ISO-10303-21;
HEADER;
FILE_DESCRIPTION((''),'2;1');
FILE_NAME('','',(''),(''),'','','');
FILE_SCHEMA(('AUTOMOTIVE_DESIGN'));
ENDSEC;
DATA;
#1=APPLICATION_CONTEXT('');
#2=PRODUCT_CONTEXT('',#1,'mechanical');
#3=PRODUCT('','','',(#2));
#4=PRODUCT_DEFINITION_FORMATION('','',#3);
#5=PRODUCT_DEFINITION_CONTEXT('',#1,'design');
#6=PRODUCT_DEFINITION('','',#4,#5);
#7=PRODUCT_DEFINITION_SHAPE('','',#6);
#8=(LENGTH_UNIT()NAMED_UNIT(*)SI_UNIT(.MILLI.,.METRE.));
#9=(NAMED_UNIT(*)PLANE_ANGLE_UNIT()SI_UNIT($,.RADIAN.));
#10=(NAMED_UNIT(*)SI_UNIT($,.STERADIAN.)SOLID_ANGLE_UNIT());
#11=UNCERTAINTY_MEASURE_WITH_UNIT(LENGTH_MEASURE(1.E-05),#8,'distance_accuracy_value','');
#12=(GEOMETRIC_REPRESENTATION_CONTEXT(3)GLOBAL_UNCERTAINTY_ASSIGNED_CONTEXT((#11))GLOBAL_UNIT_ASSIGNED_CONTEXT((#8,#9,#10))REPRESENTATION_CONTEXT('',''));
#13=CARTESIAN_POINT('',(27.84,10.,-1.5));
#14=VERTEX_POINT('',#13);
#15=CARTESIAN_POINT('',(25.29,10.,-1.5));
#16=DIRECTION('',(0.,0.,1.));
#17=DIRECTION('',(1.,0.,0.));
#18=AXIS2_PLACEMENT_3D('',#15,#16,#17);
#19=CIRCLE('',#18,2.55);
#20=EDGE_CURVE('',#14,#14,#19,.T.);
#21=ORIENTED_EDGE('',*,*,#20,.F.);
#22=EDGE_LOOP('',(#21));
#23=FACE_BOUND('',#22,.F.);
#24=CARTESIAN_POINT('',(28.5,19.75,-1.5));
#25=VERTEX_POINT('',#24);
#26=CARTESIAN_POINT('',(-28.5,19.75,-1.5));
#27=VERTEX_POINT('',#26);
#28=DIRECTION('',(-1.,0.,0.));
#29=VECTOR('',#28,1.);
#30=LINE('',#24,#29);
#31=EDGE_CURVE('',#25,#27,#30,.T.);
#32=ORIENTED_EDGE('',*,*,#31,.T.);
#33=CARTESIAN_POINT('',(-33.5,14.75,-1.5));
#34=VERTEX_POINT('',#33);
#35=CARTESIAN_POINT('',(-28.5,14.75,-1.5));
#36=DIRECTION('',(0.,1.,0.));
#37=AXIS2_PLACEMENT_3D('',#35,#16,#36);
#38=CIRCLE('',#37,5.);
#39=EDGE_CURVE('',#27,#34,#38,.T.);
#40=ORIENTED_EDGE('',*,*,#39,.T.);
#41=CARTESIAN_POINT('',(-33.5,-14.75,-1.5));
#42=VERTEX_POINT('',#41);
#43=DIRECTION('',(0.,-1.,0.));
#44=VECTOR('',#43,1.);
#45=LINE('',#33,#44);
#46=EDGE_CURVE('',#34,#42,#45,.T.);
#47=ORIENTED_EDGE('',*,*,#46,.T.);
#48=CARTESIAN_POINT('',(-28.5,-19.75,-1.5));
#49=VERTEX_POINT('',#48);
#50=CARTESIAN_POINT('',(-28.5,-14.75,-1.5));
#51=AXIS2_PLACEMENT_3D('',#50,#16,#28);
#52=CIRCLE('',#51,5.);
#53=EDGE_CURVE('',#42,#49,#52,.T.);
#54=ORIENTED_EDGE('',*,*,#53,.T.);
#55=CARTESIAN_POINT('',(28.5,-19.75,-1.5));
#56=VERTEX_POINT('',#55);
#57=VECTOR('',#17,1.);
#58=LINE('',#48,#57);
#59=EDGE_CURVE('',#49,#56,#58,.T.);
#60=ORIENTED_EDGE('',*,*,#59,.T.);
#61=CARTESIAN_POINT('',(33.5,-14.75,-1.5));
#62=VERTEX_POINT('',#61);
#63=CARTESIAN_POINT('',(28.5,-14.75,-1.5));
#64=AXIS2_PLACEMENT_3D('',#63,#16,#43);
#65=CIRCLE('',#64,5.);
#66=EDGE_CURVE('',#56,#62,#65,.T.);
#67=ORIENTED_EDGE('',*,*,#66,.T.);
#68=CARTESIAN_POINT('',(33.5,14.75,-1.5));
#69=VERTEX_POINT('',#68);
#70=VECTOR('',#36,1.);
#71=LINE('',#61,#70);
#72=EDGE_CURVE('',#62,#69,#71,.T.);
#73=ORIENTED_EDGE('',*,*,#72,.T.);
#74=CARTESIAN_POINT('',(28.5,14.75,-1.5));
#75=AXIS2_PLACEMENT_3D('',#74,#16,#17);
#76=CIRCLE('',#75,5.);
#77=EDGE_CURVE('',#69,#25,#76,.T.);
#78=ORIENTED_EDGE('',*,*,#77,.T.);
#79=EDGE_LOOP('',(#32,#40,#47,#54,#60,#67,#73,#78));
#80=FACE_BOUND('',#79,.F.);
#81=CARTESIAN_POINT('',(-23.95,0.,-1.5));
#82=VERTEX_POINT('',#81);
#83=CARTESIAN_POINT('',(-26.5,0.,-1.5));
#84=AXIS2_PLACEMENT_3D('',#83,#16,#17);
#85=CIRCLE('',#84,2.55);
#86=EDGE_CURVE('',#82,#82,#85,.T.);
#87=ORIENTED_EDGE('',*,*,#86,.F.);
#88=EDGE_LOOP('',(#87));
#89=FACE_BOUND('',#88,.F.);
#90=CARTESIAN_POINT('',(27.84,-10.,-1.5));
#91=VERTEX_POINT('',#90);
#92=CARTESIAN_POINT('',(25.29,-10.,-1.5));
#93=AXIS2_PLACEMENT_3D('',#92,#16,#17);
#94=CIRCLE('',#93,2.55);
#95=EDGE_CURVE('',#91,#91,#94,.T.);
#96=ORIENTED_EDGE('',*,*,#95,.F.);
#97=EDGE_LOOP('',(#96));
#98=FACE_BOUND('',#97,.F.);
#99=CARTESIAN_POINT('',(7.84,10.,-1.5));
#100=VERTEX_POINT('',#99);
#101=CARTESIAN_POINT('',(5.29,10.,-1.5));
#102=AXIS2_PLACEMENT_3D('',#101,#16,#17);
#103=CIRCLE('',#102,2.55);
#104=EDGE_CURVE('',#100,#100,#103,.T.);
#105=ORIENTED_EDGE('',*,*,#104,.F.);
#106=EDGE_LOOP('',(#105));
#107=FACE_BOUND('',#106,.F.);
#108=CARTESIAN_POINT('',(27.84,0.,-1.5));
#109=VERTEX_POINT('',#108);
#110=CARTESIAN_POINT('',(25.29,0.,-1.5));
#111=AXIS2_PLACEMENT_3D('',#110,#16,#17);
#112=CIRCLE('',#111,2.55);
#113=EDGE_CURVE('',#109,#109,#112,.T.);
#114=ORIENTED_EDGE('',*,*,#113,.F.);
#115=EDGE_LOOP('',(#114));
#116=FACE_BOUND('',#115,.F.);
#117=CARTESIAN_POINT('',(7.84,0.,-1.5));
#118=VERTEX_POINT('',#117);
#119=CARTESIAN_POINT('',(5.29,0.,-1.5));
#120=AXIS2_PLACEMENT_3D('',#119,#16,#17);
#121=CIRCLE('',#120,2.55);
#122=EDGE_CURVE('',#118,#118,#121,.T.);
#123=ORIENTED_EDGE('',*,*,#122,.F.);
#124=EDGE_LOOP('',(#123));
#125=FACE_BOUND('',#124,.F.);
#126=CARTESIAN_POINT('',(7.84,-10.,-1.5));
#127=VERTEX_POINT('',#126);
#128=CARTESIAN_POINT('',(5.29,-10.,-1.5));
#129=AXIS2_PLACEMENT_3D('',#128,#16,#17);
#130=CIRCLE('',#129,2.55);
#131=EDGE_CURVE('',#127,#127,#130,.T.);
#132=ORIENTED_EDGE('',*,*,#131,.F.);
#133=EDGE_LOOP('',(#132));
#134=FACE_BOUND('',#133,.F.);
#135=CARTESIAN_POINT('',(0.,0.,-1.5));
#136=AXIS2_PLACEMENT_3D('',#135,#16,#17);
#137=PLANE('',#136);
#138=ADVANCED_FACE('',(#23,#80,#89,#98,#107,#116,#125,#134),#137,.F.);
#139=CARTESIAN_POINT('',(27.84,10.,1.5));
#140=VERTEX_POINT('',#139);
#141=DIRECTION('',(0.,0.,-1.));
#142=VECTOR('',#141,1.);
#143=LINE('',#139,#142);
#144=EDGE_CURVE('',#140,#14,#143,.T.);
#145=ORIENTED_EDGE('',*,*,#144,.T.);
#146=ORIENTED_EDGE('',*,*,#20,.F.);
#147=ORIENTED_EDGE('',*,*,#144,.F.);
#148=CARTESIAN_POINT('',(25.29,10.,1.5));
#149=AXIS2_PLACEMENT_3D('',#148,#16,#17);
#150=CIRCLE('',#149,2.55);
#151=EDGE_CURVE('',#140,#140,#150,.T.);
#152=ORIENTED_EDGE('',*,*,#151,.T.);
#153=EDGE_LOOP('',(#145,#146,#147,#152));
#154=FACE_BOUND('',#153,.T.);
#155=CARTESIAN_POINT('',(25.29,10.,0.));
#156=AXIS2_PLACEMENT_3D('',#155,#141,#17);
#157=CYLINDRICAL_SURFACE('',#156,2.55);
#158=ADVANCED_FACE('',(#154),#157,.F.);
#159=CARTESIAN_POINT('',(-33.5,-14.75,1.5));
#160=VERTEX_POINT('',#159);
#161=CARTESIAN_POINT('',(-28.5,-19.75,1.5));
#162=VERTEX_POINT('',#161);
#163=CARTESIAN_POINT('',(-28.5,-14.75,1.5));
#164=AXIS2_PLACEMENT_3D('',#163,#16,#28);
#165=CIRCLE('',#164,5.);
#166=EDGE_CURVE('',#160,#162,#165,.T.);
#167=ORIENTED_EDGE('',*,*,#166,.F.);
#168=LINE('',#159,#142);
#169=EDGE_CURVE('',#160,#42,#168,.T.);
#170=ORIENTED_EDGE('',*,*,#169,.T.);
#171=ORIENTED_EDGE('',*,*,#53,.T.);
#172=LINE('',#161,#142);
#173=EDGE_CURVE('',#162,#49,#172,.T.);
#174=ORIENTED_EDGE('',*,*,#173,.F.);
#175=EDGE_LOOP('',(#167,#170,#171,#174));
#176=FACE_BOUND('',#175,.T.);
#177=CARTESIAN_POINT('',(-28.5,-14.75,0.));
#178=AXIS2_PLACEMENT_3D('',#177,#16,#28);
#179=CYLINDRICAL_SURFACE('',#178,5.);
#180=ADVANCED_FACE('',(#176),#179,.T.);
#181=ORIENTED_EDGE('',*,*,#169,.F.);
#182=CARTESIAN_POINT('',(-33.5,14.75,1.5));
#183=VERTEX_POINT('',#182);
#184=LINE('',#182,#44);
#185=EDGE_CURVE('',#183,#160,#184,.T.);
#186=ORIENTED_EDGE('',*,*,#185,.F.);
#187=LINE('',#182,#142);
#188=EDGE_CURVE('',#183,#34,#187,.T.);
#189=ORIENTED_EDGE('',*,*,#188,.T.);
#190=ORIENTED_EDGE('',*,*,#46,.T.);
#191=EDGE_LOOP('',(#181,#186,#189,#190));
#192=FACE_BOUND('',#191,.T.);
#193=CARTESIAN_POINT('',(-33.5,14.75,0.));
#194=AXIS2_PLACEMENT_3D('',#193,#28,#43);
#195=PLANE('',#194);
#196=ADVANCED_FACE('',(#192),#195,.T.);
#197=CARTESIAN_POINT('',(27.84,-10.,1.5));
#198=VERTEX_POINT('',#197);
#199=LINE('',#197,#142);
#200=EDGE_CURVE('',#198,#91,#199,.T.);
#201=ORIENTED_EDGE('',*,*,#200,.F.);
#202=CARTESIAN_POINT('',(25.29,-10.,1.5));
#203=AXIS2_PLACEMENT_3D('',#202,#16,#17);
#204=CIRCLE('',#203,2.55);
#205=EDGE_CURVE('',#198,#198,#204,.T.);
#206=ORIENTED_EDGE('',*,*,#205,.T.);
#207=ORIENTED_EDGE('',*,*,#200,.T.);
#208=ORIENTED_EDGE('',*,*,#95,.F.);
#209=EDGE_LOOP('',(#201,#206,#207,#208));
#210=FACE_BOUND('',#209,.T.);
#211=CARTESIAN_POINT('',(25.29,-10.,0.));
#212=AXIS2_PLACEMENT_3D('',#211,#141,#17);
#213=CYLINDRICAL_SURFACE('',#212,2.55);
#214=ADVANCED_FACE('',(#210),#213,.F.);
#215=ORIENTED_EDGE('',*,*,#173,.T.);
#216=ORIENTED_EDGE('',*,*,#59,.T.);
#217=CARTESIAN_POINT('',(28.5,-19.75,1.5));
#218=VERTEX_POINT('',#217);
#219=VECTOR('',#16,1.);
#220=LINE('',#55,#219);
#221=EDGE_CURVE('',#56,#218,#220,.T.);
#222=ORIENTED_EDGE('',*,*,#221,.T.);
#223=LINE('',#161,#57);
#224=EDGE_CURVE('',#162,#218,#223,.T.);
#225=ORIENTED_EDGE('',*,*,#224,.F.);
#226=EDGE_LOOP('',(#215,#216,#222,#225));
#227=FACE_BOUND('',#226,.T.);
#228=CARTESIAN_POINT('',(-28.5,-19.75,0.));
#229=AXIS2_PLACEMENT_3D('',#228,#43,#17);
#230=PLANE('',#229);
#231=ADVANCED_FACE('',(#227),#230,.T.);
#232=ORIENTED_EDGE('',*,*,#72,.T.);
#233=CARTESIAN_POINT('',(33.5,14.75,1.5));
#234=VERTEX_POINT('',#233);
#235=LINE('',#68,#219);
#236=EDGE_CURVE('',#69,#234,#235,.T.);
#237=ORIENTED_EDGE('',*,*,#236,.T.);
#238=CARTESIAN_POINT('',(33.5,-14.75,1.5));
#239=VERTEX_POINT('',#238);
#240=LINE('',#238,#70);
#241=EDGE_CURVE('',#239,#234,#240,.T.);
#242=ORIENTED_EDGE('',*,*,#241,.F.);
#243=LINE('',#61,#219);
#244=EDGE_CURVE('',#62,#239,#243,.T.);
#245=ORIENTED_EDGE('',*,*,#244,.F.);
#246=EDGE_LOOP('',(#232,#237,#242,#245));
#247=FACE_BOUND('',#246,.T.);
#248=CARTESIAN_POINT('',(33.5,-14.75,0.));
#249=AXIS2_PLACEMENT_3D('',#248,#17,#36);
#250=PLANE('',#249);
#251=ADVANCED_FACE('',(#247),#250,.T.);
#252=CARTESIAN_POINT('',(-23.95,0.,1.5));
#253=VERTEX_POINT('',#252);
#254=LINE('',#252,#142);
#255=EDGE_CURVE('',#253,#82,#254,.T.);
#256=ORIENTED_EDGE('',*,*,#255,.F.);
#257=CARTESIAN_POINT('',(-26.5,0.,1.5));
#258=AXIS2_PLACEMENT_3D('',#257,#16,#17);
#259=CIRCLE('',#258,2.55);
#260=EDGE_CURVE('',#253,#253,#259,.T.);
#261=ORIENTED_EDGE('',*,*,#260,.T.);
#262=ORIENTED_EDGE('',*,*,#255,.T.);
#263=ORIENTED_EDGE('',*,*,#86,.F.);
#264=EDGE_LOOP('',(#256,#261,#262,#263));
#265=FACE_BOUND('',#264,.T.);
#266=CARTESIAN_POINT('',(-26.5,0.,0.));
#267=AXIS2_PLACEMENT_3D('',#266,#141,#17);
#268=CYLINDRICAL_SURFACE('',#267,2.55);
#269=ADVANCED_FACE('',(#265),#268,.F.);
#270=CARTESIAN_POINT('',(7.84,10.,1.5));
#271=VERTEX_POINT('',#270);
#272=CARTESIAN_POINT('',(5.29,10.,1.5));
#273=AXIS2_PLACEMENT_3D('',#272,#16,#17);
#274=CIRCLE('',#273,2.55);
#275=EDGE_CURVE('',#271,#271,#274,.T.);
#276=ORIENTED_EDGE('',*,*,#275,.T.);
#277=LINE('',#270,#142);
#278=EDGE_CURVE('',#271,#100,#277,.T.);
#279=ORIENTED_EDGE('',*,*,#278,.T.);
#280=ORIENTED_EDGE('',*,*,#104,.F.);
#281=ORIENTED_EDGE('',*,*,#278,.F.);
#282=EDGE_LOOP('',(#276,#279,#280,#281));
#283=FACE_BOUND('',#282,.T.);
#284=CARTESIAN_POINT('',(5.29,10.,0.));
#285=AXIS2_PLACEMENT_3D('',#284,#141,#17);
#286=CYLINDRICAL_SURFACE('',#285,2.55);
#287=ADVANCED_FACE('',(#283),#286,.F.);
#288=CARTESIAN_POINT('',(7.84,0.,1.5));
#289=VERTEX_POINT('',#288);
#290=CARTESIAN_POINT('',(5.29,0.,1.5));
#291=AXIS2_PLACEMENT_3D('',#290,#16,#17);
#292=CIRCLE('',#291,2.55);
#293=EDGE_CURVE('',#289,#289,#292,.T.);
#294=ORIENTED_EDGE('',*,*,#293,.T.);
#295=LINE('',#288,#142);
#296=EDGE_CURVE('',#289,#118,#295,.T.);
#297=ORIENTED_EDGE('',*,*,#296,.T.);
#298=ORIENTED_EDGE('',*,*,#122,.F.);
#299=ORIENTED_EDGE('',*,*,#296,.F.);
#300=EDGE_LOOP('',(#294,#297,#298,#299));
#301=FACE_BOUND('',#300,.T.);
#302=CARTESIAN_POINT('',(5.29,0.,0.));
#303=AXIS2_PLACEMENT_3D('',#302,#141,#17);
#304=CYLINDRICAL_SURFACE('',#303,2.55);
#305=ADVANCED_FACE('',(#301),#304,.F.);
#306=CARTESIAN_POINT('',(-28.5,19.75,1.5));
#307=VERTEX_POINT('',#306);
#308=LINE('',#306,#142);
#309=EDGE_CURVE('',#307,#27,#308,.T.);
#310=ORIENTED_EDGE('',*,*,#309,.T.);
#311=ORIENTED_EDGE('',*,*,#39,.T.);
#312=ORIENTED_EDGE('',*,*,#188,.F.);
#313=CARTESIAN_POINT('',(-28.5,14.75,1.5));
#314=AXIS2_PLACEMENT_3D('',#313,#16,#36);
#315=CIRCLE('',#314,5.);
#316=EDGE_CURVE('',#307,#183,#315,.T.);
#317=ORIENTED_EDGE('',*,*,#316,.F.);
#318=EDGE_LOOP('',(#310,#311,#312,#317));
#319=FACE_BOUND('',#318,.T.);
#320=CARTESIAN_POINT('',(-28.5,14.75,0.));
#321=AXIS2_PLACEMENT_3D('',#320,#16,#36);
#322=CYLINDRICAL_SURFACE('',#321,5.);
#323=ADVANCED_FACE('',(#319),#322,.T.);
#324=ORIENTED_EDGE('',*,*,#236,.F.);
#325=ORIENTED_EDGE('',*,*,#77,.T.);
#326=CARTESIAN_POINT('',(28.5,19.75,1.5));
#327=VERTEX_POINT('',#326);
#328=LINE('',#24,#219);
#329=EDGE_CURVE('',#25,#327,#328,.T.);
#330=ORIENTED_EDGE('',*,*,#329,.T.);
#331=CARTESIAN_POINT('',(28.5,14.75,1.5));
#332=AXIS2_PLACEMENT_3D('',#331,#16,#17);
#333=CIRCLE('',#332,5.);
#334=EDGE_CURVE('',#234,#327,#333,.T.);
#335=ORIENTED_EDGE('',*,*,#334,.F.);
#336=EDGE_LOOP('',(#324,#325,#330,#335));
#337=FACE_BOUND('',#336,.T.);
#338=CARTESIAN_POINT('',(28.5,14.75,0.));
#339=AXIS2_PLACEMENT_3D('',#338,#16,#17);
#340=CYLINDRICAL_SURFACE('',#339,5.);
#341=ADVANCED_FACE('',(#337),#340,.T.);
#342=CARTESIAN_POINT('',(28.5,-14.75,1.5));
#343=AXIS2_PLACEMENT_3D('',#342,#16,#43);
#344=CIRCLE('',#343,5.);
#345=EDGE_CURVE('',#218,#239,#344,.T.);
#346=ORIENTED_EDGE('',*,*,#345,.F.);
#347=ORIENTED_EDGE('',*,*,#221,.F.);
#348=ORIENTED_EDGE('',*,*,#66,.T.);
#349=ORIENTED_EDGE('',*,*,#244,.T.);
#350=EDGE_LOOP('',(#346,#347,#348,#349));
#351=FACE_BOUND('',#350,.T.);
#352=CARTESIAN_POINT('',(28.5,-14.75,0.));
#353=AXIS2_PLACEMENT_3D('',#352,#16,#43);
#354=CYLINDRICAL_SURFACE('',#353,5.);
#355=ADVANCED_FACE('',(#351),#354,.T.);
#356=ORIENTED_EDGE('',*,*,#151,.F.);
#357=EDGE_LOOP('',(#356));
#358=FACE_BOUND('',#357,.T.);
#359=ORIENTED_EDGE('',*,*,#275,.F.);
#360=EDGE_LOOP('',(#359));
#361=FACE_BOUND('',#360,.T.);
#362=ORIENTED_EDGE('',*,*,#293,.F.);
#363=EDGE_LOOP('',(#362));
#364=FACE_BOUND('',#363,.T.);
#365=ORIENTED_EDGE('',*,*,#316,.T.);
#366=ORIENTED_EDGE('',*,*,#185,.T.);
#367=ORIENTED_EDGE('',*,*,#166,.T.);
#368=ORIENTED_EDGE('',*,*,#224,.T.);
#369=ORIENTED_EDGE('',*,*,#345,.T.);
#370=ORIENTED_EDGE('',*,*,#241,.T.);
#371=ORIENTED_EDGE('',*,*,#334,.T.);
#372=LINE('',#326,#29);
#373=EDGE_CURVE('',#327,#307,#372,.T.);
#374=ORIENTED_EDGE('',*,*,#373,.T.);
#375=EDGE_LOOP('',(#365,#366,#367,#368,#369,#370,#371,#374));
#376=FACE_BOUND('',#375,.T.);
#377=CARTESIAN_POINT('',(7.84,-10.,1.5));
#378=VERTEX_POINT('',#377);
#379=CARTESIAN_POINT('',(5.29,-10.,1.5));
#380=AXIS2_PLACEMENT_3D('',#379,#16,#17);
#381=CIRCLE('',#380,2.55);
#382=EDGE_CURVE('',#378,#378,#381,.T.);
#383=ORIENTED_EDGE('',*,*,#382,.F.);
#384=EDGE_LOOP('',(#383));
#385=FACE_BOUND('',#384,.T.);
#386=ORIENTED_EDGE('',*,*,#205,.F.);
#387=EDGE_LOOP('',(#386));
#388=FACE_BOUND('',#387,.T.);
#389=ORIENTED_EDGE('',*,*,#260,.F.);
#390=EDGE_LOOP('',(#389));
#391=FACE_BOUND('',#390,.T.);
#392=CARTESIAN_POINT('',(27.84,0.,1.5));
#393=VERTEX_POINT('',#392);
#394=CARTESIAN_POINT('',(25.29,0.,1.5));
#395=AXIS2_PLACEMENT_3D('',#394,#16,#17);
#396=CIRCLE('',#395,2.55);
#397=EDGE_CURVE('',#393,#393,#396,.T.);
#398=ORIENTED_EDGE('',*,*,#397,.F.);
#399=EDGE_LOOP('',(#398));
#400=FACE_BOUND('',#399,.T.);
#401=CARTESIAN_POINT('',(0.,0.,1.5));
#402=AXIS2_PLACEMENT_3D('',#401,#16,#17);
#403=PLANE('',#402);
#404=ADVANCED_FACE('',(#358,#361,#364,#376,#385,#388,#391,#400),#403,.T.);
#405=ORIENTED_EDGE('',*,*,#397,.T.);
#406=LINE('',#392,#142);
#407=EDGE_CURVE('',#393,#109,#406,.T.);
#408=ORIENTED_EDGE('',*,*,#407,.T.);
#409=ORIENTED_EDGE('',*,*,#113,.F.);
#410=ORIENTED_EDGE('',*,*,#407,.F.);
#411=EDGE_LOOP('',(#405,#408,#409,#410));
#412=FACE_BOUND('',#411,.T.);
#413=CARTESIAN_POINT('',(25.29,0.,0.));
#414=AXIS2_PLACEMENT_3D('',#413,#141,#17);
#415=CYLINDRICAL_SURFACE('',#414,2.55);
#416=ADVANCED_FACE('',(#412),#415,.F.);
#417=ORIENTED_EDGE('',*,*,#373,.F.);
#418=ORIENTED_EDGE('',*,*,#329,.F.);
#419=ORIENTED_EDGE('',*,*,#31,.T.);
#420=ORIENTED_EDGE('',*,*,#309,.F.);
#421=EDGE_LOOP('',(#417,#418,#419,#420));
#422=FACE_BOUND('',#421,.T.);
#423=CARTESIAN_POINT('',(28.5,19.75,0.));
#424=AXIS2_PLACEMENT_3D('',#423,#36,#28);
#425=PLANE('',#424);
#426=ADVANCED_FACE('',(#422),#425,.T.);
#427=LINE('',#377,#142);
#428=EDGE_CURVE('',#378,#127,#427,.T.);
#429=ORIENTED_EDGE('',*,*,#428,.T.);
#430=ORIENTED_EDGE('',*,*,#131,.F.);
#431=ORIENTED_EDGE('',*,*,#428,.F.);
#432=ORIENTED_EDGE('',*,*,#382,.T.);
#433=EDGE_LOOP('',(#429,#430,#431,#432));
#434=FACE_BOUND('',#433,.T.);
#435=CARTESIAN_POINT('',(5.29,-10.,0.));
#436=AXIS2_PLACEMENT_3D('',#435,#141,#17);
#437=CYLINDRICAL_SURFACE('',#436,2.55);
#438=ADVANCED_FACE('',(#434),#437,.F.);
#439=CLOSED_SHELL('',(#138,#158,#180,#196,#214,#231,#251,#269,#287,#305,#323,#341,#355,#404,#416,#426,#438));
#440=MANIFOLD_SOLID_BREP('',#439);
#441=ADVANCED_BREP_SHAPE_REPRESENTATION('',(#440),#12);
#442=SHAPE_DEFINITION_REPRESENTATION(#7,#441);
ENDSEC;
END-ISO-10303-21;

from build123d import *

# Parameters (mm, degrees)
SKETCH1_R           = 2.55
BOSS_EXTRUDE1_DEPTH = 1.5


with BuildPart() as part:
    # Sketch1 → Boss-Extrude1 (new body, symmetric)
    with BuildSketch(Plane.XY):
        with BuildLine():
            Line((-28.5, -19.75), (28.5, -19.75))
            ThreePointArc((28.5, -19.75), (32.035533906, -18.285533906), (33.5, -14.75))
            Line((33.5, -14.75), (33.5, 14.75))
            ThreePointArc((33.5, 14.75), (32.035533906, 18.285533906), (28.5, 19.75))
            Line((28.5, 19.75), (-28.5, 19.75))
            ThreePointArc((-28.5, 19.75), (-32.035533906, 18.285533906), (-33.5, 14.75))
            Line((-33.5, 14.75), (-33.5, -14.75))
            ThreePointArc((-33.5, -14.75), (-32.035533906, -18.285533906), (-28.5, -19.75))
        make_face()
        with Locations((5.29, 10)):
            Circle(SKETCH1_R, mode=Mode.SUBTRACT)
        with Locations((25.29, 10)):
            Circle(SKETCH1_R, mode=Mode.SUBTRACT)
        with Locations((5.29, 0)):
            Circle(SKETCH1_R, mode=Mode.SUBTRACT)
        with Locations((25.29, 0)):
            Circle(SKETCH1_R, mode=Mode.SUBTRACT)
        with Locations((5.29, -10)):
            Circle(SKETCH1_R, mode=Mode.SUBTRACT)
        with Locations((25.29, -10)):
            Circle(SKETCH1_R, mode=Mode.SUBTRACT)
        with Locations((-26.5, 0)):
            Circle(SKETCH1_R, mode=Mode.SUBTRACT)
    extrude(amount=BOSS_EXTRUDE1_DEPTH, both=True)


solid = part.part
